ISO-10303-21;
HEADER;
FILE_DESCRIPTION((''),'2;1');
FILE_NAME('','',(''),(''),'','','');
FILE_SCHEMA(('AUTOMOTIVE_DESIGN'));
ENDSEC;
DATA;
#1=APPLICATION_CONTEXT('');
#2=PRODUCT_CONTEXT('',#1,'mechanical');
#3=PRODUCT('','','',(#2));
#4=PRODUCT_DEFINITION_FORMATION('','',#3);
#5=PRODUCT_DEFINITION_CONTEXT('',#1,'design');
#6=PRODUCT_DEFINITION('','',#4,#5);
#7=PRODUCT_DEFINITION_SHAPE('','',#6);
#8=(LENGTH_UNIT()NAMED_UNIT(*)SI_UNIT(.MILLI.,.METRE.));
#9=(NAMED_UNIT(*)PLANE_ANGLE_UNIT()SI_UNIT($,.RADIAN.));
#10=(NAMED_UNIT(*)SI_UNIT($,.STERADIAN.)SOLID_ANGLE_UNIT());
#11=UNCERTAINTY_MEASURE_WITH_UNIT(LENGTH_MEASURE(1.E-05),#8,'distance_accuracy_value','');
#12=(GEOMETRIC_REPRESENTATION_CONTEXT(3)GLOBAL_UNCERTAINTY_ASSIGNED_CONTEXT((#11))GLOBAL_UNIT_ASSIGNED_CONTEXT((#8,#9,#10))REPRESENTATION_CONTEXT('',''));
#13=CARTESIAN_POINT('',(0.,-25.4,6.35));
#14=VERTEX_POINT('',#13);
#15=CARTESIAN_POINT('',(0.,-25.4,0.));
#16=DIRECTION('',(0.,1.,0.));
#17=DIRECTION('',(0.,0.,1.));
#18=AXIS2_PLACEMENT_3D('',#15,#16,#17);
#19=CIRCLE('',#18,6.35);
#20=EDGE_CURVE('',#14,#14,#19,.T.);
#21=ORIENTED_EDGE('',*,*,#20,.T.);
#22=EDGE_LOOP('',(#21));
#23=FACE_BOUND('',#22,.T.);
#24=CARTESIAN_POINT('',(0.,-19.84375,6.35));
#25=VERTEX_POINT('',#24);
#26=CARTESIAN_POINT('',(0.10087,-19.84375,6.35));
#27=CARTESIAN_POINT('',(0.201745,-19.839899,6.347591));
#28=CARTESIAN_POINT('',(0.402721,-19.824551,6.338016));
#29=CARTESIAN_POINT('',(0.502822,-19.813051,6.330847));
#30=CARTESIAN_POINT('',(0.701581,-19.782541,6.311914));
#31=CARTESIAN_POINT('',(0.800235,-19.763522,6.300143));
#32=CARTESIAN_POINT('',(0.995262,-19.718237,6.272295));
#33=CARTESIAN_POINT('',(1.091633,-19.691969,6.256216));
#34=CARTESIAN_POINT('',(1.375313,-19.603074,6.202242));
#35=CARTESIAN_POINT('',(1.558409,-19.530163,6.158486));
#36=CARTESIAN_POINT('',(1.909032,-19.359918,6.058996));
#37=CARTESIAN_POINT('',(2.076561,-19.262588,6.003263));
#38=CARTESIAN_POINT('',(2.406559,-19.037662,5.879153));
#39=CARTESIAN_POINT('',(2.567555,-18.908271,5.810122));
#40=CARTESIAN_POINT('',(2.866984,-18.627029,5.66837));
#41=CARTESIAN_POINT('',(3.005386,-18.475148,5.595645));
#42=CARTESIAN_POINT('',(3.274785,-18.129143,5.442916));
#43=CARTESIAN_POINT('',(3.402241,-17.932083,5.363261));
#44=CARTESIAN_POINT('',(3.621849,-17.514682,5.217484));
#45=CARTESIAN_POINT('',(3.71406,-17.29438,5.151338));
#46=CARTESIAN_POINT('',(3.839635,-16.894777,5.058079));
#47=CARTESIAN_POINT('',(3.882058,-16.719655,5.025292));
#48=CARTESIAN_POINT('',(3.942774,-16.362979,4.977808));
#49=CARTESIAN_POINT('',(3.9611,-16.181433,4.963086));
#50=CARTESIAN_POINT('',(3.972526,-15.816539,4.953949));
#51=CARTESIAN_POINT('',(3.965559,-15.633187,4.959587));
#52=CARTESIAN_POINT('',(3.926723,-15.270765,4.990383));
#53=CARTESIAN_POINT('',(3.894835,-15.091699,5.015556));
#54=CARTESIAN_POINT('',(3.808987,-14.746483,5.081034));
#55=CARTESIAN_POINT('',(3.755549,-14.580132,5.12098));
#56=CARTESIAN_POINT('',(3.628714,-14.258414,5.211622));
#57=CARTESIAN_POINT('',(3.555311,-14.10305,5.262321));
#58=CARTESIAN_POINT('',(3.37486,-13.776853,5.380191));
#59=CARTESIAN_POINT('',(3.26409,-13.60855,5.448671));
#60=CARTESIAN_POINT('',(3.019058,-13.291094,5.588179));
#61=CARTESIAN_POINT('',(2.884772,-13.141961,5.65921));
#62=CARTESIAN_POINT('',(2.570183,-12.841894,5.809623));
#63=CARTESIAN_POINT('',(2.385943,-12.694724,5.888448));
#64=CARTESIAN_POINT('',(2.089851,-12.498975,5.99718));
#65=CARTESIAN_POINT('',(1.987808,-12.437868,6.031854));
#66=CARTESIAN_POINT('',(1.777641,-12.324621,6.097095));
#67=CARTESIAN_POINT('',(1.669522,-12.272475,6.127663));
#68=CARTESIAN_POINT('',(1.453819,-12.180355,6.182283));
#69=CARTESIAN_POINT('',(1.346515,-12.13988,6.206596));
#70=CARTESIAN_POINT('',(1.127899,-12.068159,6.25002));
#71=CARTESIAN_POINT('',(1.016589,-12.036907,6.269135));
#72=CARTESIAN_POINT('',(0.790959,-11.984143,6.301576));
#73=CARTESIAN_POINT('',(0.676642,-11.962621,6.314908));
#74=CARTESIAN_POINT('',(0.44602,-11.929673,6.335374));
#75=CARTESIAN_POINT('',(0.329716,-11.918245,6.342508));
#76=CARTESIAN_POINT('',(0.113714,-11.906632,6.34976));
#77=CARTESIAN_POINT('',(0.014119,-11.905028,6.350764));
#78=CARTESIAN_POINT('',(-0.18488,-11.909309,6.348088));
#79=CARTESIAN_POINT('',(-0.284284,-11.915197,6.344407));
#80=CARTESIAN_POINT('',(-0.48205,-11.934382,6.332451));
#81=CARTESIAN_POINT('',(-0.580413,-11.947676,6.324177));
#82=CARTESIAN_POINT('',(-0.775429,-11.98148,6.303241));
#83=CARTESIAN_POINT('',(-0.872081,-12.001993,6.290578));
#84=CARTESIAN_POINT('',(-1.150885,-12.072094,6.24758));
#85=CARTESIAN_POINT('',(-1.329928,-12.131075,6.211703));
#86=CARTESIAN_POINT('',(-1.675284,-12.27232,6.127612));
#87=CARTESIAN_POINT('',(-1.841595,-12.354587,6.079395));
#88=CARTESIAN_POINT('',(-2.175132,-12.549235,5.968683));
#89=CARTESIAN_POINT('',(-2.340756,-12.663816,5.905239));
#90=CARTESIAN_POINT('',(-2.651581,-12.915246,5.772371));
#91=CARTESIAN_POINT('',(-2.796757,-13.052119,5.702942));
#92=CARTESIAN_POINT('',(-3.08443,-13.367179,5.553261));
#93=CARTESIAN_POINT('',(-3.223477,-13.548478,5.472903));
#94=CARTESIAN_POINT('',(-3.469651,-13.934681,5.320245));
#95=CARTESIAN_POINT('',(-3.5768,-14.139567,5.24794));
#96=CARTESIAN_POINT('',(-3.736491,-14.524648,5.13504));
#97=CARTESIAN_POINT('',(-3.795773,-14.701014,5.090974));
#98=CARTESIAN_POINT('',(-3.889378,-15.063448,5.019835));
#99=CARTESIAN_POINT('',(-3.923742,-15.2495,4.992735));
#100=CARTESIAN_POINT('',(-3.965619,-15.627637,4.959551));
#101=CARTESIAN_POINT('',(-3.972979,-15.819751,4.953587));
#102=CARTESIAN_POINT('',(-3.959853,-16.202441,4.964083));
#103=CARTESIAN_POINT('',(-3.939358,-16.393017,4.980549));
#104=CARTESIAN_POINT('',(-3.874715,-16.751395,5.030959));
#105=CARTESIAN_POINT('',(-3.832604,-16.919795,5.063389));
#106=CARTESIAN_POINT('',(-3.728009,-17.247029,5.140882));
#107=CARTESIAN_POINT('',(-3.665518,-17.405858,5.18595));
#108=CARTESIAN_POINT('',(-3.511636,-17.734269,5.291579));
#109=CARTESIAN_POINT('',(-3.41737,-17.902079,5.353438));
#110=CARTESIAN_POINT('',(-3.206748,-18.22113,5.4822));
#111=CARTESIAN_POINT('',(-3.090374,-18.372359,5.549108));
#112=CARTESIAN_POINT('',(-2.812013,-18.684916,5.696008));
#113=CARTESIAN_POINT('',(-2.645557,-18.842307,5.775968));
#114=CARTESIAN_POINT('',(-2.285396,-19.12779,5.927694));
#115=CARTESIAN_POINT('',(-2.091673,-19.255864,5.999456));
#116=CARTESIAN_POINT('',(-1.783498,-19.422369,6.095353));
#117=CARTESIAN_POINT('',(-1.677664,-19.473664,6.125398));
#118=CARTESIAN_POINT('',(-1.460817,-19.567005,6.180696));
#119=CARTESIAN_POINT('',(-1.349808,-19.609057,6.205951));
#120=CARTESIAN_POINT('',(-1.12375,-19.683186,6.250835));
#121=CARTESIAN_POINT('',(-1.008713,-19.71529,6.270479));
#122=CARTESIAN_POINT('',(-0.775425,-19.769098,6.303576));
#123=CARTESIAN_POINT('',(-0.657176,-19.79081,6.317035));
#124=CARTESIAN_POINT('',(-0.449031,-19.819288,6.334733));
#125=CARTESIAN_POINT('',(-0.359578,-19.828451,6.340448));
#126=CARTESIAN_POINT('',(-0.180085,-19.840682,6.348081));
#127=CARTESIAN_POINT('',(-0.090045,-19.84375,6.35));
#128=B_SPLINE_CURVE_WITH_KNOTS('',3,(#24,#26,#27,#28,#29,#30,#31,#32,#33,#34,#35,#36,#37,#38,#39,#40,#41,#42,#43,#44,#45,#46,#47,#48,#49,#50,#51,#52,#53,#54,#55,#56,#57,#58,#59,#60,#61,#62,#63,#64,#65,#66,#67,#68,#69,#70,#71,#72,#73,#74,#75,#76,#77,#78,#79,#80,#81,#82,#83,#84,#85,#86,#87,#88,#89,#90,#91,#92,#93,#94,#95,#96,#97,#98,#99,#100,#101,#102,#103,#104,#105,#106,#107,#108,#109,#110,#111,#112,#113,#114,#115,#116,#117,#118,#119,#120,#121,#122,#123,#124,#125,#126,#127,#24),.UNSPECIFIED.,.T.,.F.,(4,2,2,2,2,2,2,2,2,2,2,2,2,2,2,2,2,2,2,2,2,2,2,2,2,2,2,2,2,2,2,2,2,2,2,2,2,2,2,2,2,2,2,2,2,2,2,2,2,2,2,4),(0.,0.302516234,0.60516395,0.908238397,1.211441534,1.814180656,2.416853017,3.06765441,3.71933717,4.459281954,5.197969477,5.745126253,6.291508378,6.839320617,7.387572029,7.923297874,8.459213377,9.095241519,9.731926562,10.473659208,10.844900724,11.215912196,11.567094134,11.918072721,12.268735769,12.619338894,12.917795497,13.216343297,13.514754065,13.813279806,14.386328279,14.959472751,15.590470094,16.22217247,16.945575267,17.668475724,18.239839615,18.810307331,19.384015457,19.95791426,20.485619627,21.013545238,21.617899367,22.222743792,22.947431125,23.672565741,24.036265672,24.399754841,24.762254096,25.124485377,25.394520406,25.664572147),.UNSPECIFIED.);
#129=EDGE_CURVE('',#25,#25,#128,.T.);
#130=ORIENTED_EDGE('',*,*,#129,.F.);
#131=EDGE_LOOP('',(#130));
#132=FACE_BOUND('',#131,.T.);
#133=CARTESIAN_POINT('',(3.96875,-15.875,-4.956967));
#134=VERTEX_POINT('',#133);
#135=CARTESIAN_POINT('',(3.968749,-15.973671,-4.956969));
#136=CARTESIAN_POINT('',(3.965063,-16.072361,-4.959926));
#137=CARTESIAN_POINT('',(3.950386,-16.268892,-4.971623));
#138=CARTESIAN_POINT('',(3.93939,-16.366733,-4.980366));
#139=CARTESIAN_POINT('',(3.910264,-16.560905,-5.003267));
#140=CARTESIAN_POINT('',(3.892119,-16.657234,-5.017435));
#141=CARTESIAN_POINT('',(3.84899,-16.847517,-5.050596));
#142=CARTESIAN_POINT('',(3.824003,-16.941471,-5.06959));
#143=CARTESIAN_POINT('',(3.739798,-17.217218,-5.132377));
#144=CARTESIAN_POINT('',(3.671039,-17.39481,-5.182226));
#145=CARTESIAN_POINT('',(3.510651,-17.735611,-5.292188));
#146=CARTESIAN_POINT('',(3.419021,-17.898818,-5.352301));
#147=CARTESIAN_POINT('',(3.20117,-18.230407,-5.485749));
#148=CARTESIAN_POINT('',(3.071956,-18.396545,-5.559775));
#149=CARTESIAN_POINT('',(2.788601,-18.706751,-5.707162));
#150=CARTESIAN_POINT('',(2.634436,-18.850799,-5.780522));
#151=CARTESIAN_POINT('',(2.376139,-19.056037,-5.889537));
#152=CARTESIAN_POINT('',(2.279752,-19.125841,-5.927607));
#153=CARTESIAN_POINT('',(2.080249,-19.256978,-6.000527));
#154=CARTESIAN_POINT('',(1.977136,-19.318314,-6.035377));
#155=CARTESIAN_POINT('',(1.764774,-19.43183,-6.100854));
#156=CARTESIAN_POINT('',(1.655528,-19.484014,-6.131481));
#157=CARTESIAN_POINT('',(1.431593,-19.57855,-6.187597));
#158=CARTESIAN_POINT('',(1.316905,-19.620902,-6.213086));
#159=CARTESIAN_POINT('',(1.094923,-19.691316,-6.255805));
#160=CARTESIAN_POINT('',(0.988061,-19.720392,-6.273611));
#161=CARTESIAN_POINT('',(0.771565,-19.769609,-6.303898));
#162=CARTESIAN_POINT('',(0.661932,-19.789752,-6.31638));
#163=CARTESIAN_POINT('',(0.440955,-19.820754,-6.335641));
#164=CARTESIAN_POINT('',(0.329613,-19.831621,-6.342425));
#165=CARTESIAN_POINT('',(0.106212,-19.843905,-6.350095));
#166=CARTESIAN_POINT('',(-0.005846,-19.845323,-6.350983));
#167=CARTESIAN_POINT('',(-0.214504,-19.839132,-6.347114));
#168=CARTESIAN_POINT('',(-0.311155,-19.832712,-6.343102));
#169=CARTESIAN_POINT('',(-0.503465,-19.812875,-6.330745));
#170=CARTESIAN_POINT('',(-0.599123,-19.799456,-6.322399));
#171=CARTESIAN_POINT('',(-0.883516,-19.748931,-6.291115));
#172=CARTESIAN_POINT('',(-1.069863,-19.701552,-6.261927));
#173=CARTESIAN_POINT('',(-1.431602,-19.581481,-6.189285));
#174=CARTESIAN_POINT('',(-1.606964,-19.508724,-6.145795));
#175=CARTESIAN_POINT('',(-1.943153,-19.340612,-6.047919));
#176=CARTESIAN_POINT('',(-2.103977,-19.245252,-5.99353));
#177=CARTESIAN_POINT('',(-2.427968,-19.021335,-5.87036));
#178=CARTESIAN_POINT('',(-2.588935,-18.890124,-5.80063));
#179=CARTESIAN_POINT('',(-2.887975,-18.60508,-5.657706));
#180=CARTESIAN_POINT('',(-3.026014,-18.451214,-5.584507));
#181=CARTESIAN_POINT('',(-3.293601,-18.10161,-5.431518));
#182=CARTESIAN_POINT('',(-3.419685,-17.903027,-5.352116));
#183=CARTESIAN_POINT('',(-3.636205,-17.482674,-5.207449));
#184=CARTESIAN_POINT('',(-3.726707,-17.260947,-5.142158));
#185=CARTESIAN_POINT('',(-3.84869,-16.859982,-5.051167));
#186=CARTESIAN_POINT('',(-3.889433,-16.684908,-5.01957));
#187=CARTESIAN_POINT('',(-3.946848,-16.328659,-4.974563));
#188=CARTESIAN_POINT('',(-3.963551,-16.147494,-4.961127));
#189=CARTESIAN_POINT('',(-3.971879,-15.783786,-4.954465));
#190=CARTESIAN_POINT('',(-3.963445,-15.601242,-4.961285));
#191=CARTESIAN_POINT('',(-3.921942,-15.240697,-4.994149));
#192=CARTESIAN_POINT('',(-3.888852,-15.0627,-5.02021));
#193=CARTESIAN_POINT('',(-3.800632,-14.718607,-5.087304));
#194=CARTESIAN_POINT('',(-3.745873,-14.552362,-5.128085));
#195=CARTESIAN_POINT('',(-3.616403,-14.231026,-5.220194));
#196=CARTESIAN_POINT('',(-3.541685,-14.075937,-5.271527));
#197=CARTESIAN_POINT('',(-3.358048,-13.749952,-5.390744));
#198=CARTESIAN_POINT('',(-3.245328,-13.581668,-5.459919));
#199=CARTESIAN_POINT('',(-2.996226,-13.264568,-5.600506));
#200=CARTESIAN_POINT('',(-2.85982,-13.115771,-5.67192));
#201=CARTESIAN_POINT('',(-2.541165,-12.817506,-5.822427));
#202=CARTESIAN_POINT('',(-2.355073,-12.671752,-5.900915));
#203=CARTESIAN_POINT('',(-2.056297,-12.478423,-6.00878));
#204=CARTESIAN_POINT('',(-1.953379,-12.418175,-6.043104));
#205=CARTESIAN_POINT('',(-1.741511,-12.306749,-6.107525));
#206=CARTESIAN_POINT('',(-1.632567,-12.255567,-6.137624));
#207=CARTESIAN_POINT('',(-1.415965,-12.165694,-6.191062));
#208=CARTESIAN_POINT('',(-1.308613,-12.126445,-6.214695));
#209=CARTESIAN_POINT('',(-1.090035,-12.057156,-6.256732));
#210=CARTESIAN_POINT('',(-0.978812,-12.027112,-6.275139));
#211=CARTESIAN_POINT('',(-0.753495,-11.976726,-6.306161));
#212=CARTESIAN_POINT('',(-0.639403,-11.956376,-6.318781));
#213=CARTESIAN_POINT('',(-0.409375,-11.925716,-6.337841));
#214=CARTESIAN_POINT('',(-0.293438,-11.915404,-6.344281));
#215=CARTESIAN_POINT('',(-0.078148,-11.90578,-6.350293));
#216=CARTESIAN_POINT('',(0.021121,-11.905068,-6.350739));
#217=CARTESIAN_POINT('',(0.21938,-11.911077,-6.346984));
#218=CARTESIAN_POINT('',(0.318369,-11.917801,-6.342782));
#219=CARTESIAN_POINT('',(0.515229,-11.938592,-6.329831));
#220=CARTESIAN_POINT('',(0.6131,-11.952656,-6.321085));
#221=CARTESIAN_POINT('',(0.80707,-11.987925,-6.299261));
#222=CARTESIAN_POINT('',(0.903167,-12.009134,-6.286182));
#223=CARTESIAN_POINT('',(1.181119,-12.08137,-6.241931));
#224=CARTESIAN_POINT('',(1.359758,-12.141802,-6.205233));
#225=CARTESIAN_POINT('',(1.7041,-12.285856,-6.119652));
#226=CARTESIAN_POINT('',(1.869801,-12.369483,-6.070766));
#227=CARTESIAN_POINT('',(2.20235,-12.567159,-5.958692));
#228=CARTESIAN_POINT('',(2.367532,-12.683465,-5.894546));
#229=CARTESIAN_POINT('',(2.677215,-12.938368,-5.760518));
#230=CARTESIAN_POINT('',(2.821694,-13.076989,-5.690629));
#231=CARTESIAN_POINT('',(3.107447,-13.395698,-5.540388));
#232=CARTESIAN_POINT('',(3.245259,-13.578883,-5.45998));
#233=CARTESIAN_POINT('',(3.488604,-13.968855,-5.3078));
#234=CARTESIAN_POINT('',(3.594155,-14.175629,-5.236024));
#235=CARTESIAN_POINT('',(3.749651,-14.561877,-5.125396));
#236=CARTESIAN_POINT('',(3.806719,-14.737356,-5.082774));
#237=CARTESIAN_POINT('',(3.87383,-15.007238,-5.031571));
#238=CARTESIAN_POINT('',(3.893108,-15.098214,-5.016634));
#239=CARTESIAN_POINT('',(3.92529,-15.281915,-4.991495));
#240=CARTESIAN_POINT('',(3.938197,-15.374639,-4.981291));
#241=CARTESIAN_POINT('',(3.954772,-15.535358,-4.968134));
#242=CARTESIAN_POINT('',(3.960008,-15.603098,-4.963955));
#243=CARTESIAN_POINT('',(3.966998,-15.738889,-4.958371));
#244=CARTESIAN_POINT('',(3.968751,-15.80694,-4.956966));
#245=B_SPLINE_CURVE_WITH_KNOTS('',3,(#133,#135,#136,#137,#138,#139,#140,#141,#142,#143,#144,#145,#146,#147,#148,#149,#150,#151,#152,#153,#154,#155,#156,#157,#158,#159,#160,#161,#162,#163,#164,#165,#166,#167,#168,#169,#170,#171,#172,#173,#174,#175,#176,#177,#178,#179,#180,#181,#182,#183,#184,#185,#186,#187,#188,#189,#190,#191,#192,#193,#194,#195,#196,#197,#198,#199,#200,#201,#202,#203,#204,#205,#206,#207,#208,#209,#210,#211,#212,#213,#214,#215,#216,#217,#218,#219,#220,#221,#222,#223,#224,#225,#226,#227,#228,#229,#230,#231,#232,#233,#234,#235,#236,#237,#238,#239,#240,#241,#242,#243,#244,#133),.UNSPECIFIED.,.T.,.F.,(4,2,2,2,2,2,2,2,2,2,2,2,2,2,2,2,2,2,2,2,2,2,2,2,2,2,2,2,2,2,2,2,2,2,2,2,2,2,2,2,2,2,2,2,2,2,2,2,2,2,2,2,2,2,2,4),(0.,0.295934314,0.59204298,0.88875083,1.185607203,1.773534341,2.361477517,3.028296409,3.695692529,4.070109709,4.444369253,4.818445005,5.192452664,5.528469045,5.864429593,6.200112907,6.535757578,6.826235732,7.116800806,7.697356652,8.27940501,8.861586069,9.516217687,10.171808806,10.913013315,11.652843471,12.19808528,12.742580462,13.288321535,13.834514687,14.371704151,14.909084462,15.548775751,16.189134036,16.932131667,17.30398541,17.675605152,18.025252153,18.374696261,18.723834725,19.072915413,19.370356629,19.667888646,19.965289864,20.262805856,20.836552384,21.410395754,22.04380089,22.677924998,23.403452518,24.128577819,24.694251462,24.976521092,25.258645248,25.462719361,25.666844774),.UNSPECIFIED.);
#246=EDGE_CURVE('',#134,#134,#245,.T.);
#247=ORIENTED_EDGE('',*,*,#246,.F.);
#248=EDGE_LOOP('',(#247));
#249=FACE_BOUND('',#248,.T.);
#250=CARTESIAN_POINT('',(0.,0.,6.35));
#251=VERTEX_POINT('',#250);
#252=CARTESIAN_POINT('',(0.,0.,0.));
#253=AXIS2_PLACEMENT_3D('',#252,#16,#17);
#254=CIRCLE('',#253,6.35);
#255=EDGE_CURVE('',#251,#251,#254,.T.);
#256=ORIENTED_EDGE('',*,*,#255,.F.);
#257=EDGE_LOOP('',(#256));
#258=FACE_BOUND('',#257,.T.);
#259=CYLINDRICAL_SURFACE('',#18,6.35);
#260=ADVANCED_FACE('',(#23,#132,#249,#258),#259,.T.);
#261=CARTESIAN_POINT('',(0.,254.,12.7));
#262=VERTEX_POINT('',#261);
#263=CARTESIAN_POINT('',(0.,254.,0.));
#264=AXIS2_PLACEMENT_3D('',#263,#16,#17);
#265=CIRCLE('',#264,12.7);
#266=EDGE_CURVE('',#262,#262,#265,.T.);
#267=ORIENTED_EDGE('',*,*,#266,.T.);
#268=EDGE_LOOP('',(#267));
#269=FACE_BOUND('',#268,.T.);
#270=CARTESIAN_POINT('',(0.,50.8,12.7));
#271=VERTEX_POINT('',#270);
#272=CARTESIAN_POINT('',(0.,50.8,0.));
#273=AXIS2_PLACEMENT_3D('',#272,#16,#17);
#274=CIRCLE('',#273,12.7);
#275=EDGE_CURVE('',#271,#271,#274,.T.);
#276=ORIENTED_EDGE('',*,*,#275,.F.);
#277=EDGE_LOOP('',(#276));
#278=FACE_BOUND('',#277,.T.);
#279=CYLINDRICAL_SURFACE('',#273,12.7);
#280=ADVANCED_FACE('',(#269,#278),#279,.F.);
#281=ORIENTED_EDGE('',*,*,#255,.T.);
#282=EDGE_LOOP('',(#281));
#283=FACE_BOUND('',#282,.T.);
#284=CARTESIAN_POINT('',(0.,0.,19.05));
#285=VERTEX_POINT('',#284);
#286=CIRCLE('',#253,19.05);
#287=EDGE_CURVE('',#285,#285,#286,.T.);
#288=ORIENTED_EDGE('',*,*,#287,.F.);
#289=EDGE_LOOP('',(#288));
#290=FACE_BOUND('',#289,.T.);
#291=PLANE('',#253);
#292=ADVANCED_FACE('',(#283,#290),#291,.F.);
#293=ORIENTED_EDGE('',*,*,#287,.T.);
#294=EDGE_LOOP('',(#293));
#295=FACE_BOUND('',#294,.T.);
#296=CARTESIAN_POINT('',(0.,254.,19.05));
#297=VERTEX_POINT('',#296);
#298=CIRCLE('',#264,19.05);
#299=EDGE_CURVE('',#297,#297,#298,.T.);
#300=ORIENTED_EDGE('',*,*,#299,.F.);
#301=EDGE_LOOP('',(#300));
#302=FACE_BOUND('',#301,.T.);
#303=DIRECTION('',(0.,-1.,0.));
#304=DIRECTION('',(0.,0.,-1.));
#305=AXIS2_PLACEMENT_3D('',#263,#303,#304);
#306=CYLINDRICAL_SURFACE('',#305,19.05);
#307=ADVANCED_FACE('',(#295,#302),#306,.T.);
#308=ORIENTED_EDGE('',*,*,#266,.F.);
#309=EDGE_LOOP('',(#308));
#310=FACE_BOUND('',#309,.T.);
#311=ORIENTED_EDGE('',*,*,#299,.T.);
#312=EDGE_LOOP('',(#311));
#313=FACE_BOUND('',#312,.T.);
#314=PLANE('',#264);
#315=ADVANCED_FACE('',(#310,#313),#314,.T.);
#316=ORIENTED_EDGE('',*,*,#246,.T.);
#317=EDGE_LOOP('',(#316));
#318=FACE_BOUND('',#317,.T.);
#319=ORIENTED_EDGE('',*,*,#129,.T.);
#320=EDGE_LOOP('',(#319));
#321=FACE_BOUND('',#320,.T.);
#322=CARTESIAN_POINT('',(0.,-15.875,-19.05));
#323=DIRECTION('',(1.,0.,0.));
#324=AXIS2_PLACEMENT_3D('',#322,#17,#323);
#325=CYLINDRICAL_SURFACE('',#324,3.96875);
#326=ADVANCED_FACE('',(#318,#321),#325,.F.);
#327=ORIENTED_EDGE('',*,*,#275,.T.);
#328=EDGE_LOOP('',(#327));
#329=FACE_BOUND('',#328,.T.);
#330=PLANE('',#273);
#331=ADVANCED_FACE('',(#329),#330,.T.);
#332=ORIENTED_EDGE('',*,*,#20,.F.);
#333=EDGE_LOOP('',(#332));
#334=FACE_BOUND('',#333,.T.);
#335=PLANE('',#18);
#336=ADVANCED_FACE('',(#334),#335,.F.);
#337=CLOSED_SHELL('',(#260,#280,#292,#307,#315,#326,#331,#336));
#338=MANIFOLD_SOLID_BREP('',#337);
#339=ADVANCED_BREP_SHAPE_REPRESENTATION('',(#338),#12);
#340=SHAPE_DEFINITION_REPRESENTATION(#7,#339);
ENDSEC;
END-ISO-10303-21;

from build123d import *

# Parameters (mm, degrees)
SKETCH1_R               = 19.05
BOSS_EXTRUDE1_DEPTH     = 254
SKETCH1_3_R             = 6.35
BOSS_EXTRUDE2_DEPTH     = 25.4
SKETCH2_R               = 12.7
CUT_EXTRUDE1_DEPTH      = 203.2
CUT_EXTRUDE2_DEPTH      = 256.424754086
CUT_EXTRUDE2_DEPTH_BACK = 256.424754086
SKETCH3_R               = 3.96875


with BuildPart() as part:
    # Sketch1 → Boss-Extrude1 (new body)
    with BuildSketch(Plane(origin=(0, 0, 0), x_dir=(1, 0, 0), z_dir=(0, 1, 0))):
        Circle(SKETCH1_R)
    extrude(amount=BOSS_EXTRUDE1_DEPTH)

    # Sketch1<3> → Boss-Extrude2 (add)
    with BuildSketch(Plane(origin=(0, 0, 0), x_dir=(1, 0, 0), z_dir=(0, 1, 0))):
        Circle(SKETCH1_3_R)
    extrude(amount=-BOSS_EXTRUDE2_DEPTH)

    # Sketch2 → Cut-Extrude1 (cut)
    with BuildSketch(Plane(origin=(0, 254, 0), x_dir=(1, 0, 0), z_dir=(0, 1, 0))):
        Circle(SKETCH2_R)
    extrude(amount=-CUT_EXTRUDE1_DEPTH, mode=Mode.SUBTRACT)

    # Sketch3 → Cut-Extrude2 (cut, two sides: drawn at the far end of the back side and taken through both)
    with BuildSketch(Plane.XY.offset(-CUT_EXTRUDE2_DEPTH_BACK)):
        with Locations((0, -15.875)):
            Circle(SKETCH3_R)
    extrude(amount=CUT_EXTRUDE2_DEPTH + CUT_EXTRUDE2_DEPTH_BACK, mode=Mode.SUBTRACT)


solid = part.part
